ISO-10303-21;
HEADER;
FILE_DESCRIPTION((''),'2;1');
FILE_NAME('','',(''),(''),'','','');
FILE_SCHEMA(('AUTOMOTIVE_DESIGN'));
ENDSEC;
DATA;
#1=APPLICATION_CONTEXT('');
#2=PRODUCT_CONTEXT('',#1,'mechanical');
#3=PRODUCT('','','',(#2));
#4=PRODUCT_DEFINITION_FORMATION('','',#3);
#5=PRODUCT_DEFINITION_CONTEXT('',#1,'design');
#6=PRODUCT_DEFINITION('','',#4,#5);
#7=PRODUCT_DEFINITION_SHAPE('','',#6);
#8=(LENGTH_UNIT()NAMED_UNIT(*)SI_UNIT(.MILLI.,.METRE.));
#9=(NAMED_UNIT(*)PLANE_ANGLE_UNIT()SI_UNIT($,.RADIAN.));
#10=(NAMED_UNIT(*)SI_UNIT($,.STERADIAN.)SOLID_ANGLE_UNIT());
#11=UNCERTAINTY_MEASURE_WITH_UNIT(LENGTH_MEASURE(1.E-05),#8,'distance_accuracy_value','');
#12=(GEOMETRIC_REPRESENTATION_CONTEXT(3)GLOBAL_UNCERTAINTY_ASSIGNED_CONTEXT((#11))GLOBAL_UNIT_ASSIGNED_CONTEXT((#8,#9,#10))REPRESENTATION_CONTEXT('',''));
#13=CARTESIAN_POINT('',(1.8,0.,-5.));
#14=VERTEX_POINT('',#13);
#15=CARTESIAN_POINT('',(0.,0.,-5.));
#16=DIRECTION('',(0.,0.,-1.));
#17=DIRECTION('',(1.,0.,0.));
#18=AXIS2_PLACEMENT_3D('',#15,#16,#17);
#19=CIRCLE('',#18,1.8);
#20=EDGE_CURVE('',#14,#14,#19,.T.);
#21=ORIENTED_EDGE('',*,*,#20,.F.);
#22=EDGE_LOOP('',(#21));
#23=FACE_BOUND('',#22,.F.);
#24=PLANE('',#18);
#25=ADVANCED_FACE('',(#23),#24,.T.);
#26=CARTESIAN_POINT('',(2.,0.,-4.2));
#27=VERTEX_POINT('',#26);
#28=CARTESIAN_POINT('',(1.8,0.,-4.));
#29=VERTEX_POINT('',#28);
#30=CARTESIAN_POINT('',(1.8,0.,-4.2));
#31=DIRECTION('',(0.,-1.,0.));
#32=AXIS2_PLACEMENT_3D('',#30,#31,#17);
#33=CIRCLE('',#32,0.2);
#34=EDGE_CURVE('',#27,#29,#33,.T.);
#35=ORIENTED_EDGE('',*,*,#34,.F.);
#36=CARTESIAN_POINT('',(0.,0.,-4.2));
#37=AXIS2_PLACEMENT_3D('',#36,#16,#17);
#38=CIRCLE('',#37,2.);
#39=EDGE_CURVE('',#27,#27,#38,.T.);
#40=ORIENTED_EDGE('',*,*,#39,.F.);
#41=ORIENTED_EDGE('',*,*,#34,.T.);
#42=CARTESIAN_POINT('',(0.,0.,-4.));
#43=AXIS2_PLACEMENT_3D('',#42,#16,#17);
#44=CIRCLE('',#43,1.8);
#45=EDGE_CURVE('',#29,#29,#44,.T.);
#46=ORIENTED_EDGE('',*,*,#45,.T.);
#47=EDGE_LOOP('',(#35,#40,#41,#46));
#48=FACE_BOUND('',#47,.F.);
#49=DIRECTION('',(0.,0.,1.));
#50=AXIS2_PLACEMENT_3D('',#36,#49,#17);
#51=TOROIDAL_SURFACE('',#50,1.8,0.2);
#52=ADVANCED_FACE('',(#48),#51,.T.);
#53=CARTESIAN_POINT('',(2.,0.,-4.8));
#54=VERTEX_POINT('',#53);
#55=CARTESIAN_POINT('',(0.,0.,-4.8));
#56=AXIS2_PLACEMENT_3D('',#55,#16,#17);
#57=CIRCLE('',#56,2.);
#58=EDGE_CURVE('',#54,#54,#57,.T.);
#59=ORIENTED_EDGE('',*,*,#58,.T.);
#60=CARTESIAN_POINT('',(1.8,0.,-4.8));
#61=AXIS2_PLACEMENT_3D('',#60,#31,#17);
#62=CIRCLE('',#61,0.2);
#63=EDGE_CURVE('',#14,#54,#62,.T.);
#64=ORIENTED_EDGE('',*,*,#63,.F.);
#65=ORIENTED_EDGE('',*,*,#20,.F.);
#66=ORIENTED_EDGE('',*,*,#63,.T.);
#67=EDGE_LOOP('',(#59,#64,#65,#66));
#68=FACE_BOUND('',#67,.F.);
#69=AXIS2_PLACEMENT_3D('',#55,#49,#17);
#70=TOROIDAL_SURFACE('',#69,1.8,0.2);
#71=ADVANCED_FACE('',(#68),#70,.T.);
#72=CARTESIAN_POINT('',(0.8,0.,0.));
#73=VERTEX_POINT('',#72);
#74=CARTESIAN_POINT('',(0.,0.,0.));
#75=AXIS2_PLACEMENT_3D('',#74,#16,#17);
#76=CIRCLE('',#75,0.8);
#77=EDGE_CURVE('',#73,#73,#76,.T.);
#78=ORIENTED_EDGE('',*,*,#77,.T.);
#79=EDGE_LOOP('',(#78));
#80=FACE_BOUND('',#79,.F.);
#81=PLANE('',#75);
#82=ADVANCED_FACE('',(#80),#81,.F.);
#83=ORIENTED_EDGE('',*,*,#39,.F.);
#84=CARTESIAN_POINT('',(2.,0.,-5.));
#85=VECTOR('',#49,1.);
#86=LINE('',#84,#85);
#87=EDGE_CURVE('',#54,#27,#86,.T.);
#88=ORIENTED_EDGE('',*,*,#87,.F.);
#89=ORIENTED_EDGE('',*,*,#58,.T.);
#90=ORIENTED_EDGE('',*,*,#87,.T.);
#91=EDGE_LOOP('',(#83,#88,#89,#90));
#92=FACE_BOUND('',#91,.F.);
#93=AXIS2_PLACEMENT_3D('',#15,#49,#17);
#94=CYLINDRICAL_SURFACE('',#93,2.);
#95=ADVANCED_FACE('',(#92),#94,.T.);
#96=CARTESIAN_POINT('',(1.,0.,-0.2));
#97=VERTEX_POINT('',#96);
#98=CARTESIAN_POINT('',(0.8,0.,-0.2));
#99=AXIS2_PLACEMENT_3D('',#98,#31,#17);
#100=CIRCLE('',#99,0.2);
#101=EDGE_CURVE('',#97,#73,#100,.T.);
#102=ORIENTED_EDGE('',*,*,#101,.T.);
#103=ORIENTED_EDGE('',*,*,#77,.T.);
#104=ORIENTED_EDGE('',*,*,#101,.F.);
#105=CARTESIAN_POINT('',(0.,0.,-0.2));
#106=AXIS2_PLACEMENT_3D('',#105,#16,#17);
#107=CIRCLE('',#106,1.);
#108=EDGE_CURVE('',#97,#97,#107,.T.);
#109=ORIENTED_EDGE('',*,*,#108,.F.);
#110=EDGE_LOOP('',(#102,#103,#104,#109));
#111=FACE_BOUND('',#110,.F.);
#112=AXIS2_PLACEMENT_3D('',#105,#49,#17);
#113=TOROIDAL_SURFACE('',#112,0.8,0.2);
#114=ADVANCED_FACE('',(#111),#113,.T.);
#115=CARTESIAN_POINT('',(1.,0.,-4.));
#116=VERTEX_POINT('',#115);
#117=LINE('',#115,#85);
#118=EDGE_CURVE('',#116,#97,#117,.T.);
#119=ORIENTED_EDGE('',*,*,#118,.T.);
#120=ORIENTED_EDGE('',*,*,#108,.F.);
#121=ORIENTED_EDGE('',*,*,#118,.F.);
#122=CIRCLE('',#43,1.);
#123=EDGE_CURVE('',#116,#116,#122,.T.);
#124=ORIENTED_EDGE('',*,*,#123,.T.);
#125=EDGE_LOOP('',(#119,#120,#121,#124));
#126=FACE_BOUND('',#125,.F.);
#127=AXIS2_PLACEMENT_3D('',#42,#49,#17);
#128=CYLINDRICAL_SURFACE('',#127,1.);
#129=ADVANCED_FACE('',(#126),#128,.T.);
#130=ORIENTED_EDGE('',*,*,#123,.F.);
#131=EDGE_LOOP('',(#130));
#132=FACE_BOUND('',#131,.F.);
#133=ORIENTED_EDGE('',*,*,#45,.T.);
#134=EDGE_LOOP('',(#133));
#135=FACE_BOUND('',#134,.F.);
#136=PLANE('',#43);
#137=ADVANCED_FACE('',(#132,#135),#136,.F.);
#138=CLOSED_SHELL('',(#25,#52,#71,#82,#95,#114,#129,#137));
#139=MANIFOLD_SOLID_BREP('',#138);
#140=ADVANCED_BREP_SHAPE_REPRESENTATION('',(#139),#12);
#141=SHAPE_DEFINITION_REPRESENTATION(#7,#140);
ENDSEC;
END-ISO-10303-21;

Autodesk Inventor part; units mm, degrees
ref_plane "YZ Plane" through (0, 0, 0) normal (1, 0, 0) x (0, 1, 0)
ref_plane "XZ Plane" through (0, 0, 0) normal (0, 1, 0) x (-1, 0, 0)
ref_plane "XY Plane" through (0, 0, 0) normal (0, 0, 1) x (1, 0, 0)
sketch "Sketch1" plane through (0, 0, 0) normal (0, 1, 0) x (-1, 0, 0)
  line L0 (0, 0) -> (0, -5)
  line L1 (0, -5) -> (-2, -5)
  line L2 (-2, -5) -> (-2, -4)
  line L3 (-2, -4) -> (-1, -4)
  line L4 (-1, -4) -> (-1, 0)
  line L5 (-1, 0) -> (0, 0)
  dimension "d0" = 2
  dimension "d1" = 1
  dimension "d2" = 1
  dimension "d3" = 4
revolve "Revolution1" add sketch "Sketch1" angle 360 about axis through (0, 0, 0) along (0, 0, -1)
fillet "Fillet1" radius 0.2 3 edges at (-2, 0, -4) (-2, 0, -5) (-1, 0, 0)
thread "Thread1" size "M2x0.4" class "6g" standard "ANSI Metric M Profile" full length
properties part number "m2 bolt"
